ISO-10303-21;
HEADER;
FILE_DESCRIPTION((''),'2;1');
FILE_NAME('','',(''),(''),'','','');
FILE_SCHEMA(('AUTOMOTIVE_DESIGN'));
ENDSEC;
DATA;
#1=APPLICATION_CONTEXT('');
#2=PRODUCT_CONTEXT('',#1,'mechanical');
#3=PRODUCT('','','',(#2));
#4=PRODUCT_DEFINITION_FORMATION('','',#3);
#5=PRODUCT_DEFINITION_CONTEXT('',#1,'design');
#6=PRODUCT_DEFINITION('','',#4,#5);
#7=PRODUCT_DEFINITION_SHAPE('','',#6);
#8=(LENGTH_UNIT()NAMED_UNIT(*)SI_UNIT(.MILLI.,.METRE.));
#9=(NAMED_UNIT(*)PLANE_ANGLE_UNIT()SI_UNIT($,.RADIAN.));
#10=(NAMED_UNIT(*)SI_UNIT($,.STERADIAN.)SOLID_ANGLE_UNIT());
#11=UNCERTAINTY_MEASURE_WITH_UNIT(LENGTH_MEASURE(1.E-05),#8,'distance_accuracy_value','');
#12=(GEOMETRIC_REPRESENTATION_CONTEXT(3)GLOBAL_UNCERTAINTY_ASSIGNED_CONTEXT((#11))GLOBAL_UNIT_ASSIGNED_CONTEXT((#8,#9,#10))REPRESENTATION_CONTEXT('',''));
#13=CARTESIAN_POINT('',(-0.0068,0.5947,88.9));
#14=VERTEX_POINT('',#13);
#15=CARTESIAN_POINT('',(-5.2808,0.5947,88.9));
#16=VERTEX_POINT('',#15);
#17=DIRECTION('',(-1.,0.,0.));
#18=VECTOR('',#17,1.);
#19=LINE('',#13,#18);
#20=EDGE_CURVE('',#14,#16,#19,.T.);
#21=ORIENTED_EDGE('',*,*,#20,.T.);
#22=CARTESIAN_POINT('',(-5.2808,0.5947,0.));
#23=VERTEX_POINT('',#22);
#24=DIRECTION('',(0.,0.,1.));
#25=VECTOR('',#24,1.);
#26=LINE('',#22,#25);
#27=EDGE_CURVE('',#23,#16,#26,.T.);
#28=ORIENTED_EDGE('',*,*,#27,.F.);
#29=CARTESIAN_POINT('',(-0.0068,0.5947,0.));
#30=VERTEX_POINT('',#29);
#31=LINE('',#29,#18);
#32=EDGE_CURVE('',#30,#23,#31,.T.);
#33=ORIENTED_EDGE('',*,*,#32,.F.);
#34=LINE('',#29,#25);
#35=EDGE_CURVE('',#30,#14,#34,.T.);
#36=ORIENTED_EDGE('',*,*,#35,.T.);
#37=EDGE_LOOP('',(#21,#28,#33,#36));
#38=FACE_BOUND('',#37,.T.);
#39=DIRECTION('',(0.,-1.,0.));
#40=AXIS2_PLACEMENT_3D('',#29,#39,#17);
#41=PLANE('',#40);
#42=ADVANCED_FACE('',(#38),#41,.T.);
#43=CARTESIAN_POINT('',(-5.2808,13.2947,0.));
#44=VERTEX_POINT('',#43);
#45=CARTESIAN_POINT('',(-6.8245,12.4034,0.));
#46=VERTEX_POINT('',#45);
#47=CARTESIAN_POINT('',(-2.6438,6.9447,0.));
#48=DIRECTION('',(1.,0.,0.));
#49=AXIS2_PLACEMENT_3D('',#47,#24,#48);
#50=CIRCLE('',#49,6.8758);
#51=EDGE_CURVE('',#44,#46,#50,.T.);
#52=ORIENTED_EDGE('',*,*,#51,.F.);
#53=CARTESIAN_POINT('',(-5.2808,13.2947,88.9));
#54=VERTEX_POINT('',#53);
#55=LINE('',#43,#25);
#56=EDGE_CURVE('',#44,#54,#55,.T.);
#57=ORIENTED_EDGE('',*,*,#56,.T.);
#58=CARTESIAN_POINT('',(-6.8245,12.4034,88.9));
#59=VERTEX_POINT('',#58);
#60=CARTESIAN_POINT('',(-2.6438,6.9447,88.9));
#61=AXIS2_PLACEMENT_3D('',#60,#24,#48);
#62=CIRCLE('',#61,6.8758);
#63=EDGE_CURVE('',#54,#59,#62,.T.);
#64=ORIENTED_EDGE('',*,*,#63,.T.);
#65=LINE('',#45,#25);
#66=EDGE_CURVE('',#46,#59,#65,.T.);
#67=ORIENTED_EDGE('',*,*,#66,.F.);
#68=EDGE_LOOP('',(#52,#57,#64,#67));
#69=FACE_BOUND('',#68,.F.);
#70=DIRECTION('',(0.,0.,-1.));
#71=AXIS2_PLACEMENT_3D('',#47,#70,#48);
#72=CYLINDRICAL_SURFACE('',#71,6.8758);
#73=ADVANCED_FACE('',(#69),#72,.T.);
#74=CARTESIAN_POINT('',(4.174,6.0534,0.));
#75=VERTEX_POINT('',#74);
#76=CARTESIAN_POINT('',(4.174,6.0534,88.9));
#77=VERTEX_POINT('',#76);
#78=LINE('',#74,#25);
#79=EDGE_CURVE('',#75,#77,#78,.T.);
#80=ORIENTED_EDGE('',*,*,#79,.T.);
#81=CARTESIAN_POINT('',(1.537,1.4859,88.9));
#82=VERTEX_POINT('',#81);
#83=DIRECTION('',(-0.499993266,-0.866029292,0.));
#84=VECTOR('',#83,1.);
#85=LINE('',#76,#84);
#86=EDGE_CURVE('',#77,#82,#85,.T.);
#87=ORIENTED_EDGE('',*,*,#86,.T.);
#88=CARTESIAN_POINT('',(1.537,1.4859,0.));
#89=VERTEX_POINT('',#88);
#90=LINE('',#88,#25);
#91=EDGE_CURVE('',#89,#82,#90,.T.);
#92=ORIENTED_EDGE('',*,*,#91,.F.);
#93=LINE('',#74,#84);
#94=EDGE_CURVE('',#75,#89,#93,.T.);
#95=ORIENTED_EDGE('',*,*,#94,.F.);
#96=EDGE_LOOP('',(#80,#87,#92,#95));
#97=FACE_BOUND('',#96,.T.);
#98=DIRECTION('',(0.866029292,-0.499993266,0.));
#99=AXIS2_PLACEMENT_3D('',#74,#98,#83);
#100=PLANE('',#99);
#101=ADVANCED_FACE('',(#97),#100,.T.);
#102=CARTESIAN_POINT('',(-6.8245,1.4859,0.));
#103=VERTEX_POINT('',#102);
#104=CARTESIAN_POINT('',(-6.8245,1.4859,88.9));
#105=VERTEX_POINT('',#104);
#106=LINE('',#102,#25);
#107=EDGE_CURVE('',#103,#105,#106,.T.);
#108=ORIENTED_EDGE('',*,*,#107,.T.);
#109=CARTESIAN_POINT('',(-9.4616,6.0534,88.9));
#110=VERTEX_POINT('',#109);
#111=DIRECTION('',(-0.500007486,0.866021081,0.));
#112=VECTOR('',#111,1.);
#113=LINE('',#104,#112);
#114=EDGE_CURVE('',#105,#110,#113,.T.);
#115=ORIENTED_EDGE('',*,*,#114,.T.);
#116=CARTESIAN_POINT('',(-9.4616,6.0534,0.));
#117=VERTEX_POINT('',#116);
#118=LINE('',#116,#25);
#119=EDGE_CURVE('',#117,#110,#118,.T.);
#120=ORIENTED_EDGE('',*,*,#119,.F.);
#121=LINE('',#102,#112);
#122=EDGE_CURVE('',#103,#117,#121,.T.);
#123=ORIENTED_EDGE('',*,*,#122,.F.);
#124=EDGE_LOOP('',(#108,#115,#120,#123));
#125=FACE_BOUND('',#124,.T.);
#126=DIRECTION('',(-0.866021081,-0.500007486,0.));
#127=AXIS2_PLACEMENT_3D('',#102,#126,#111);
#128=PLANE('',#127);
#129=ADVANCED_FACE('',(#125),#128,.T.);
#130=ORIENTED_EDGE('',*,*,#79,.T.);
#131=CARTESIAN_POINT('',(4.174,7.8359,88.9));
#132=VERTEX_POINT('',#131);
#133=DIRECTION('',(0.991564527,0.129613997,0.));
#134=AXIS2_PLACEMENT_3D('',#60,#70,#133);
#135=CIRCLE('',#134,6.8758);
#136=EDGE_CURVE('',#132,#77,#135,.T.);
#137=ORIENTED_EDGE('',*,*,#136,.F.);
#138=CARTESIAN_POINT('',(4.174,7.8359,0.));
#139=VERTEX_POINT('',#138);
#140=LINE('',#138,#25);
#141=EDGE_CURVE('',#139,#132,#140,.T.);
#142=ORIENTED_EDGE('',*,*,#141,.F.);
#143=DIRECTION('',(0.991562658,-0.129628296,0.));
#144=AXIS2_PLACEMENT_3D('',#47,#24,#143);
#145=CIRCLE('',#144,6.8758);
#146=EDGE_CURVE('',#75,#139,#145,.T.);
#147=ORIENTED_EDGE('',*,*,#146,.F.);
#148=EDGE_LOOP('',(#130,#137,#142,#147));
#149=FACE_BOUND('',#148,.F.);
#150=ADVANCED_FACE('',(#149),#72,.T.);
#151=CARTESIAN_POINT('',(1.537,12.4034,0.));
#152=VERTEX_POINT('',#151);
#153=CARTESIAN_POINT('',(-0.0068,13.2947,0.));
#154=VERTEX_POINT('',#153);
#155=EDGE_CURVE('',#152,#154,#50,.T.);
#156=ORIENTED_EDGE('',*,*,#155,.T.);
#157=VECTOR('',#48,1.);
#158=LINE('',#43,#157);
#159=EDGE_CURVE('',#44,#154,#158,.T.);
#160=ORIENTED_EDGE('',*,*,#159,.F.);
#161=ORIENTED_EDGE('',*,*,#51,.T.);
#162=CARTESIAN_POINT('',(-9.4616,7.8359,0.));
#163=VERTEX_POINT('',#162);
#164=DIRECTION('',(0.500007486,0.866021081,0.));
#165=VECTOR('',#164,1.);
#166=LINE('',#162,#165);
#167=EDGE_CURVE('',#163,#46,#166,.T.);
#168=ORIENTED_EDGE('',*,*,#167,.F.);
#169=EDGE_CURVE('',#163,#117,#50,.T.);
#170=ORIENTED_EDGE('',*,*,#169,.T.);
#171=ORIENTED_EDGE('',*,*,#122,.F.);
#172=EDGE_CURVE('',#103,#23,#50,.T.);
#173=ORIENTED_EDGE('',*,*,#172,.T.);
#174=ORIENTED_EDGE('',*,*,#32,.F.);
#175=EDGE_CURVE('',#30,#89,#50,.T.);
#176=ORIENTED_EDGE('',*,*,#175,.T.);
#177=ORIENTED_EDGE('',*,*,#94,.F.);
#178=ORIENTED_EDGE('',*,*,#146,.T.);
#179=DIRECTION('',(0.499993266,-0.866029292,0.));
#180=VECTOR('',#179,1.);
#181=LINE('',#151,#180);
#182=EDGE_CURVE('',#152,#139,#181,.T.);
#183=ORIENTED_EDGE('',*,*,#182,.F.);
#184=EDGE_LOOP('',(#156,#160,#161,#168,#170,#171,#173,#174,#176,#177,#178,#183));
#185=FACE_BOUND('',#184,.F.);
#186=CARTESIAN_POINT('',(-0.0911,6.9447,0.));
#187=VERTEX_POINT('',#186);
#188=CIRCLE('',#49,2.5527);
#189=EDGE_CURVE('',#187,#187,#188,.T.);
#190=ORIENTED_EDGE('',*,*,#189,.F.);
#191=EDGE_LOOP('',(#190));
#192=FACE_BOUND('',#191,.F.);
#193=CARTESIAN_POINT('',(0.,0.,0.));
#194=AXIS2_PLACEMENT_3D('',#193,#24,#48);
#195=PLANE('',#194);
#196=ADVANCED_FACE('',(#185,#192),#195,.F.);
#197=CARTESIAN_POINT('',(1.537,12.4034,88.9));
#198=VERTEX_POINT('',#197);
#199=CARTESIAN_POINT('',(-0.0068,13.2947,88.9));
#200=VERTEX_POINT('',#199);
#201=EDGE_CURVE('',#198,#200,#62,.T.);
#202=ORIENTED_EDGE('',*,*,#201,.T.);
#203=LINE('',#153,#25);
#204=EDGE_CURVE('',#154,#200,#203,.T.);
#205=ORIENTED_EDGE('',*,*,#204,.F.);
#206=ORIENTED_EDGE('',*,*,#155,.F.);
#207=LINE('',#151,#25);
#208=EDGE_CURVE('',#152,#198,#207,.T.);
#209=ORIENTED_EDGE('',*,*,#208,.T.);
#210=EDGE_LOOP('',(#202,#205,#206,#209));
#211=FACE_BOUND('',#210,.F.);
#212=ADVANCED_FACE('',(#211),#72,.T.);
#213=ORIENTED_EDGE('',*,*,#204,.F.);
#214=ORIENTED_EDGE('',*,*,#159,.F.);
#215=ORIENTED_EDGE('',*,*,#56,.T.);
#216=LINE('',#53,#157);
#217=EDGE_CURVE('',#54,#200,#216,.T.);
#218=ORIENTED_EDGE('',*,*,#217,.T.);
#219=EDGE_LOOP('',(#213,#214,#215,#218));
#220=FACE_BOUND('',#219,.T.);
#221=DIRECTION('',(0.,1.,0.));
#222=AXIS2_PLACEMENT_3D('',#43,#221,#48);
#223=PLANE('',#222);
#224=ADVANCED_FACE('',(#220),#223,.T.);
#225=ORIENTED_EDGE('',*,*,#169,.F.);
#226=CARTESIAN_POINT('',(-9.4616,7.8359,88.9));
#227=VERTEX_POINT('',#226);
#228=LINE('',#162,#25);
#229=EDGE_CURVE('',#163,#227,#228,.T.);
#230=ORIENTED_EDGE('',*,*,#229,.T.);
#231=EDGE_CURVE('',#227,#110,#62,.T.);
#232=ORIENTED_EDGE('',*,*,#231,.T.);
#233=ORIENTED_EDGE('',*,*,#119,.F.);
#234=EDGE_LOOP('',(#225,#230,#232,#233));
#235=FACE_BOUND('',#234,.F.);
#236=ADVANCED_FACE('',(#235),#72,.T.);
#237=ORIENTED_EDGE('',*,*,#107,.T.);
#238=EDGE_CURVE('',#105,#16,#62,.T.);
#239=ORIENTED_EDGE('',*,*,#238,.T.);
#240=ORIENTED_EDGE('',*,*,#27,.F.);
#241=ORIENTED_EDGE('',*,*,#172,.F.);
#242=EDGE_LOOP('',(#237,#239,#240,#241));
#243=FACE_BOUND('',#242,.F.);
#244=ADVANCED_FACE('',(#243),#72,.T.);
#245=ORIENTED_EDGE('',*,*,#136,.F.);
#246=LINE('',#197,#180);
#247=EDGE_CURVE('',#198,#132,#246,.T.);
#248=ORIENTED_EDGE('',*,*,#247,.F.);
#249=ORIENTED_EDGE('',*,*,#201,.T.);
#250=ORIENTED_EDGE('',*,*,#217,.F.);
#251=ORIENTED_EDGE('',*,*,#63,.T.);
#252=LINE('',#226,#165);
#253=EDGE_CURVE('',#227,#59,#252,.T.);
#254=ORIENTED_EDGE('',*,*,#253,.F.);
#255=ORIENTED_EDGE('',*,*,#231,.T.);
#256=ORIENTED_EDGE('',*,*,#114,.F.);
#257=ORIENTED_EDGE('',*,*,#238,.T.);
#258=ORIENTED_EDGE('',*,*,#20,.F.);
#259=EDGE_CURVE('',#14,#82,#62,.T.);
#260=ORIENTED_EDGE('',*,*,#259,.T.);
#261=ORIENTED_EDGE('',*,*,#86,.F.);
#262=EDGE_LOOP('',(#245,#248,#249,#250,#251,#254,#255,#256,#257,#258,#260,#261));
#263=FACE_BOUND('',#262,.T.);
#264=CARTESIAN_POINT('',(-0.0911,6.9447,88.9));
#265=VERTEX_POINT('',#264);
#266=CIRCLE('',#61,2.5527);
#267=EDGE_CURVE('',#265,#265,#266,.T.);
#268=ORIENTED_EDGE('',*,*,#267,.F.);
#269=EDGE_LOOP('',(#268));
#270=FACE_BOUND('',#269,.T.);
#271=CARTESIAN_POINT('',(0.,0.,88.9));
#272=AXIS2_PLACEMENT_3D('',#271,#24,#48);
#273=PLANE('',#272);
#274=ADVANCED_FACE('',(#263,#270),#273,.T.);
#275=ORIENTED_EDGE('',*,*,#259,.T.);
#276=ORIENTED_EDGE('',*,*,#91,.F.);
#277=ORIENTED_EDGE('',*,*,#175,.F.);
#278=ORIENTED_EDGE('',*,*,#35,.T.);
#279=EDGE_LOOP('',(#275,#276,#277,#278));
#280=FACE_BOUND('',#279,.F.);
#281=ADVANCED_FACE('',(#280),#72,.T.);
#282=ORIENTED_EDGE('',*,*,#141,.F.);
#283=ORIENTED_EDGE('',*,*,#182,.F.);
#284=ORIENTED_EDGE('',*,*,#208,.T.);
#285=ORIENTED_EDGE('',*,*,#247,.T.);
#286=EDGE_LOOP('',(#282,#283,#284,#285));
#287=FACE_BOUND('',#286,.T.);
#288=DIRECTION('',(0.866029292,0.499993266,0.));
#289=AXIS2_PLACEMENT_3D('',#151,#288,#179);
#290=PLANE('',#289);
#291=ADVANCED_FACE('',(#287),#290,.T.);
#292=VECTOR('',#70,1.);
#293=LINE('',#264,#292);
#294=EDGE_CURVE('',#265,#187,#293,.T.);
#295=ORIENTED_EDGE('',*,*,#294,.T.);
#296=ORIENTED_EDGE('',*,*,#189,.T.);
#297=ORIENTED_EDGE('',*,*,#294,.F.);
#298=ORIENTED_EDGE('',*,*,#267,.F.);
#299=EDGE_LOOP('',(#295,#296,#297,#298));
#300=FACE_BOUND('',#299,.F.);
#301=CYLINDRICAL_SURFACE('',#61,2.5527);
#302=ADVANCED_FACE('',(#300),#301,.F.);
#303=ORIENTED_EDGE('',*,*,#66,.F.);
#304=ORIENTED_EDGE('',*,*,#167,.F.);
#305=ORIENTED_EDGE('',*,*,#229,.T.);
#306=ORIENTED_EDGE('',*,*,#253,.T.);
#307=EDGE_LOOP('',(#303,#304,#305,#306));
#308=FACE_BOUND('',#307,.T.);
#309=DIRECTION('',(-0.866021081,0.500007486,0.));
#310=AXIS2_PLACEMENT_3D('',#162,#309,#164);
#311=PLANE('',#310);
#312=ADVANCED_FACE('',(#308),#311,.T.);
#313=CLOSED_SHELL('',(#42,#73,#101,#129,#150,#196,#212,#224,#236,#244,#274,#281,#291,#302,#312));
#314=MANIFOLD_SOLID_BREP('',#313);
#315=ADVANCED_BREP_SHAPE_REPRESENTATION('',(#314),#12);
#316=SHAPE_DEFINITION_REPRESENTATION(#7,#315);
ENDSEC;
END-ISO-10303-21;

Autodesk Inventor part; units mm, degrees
ref_plane "YZ Plane" through (0, 0, 0) normal (1, 0, 0) x (0, 1, 0)
ref_plane "XZ Plane" through (0, 0, 0) normal (0, 1, 0) x (-1, 0, 0)
ref_plane "XY Plane" through (0, 0, 0) normal (0, 0, 1) x (1, 0, 0)
sketch "Sketch1" plane through (0, 0, 0) normal (0, 0, 1) x (1, 0, 0)
  circle A0 centre (-2.6438, 6.9447) radius 6.8758
  line L0 (-9.4616, 7.8359) -> (-6.8245, 12.4034)
  line L1 (-6.8245, 1.4859) -> (-9.4616, 6.0534)
  line L2 (-0.0068, 0.5947) -> (-5.2808, 0.5947)
  line L3 (4.174, 6.0534) -> (1.537, 1.4859)
  line L4 (1.537, 12.4034) -> (4.174, 7.8359)
  line L5 (-5.2808, 13.2947) -> (-0.0068, 13.2947)
  point P0 (0, 0)
  point P1 (1.537, 1.4859)
  dimension "d0" = 13.7516
  dimension "d4" = 360
extrude "Extrusion1" add sketch "Sketch1" along normal blind 88.9 contours A0 L3 L2 L1 L0 L5 L4
sketch "Sketch2" plane through (0, 0, 88.9) normal (0, 0, 1) x (1, 0, 0)
  circle A0 centre (-2.6438, 6.9447) radius 2.5527
  line L0 (-5.2808, 0.5947) -> (-0.0068, 0.5947) projected
  line L1 (-2.6438, 6.9447) -> (-5.2808, 0.5947) construction
  line L2 (-2.6438, 6.9447) -> (-0.0068, 0.5947) construction
  point P0 (0, 0)
  dimension "d8" = 5.1054
  dimension "d9" = 6.35
extrude "Extrusion2" cut sketch "Sketch2" against normal blind 88.9
equation "\"d6\" = d5"
equation "\"d10\" = d5"
equation "\"d5\" = 88.9"
properties part number "AIntakeArmShaft" material "Aluminum 6061"
